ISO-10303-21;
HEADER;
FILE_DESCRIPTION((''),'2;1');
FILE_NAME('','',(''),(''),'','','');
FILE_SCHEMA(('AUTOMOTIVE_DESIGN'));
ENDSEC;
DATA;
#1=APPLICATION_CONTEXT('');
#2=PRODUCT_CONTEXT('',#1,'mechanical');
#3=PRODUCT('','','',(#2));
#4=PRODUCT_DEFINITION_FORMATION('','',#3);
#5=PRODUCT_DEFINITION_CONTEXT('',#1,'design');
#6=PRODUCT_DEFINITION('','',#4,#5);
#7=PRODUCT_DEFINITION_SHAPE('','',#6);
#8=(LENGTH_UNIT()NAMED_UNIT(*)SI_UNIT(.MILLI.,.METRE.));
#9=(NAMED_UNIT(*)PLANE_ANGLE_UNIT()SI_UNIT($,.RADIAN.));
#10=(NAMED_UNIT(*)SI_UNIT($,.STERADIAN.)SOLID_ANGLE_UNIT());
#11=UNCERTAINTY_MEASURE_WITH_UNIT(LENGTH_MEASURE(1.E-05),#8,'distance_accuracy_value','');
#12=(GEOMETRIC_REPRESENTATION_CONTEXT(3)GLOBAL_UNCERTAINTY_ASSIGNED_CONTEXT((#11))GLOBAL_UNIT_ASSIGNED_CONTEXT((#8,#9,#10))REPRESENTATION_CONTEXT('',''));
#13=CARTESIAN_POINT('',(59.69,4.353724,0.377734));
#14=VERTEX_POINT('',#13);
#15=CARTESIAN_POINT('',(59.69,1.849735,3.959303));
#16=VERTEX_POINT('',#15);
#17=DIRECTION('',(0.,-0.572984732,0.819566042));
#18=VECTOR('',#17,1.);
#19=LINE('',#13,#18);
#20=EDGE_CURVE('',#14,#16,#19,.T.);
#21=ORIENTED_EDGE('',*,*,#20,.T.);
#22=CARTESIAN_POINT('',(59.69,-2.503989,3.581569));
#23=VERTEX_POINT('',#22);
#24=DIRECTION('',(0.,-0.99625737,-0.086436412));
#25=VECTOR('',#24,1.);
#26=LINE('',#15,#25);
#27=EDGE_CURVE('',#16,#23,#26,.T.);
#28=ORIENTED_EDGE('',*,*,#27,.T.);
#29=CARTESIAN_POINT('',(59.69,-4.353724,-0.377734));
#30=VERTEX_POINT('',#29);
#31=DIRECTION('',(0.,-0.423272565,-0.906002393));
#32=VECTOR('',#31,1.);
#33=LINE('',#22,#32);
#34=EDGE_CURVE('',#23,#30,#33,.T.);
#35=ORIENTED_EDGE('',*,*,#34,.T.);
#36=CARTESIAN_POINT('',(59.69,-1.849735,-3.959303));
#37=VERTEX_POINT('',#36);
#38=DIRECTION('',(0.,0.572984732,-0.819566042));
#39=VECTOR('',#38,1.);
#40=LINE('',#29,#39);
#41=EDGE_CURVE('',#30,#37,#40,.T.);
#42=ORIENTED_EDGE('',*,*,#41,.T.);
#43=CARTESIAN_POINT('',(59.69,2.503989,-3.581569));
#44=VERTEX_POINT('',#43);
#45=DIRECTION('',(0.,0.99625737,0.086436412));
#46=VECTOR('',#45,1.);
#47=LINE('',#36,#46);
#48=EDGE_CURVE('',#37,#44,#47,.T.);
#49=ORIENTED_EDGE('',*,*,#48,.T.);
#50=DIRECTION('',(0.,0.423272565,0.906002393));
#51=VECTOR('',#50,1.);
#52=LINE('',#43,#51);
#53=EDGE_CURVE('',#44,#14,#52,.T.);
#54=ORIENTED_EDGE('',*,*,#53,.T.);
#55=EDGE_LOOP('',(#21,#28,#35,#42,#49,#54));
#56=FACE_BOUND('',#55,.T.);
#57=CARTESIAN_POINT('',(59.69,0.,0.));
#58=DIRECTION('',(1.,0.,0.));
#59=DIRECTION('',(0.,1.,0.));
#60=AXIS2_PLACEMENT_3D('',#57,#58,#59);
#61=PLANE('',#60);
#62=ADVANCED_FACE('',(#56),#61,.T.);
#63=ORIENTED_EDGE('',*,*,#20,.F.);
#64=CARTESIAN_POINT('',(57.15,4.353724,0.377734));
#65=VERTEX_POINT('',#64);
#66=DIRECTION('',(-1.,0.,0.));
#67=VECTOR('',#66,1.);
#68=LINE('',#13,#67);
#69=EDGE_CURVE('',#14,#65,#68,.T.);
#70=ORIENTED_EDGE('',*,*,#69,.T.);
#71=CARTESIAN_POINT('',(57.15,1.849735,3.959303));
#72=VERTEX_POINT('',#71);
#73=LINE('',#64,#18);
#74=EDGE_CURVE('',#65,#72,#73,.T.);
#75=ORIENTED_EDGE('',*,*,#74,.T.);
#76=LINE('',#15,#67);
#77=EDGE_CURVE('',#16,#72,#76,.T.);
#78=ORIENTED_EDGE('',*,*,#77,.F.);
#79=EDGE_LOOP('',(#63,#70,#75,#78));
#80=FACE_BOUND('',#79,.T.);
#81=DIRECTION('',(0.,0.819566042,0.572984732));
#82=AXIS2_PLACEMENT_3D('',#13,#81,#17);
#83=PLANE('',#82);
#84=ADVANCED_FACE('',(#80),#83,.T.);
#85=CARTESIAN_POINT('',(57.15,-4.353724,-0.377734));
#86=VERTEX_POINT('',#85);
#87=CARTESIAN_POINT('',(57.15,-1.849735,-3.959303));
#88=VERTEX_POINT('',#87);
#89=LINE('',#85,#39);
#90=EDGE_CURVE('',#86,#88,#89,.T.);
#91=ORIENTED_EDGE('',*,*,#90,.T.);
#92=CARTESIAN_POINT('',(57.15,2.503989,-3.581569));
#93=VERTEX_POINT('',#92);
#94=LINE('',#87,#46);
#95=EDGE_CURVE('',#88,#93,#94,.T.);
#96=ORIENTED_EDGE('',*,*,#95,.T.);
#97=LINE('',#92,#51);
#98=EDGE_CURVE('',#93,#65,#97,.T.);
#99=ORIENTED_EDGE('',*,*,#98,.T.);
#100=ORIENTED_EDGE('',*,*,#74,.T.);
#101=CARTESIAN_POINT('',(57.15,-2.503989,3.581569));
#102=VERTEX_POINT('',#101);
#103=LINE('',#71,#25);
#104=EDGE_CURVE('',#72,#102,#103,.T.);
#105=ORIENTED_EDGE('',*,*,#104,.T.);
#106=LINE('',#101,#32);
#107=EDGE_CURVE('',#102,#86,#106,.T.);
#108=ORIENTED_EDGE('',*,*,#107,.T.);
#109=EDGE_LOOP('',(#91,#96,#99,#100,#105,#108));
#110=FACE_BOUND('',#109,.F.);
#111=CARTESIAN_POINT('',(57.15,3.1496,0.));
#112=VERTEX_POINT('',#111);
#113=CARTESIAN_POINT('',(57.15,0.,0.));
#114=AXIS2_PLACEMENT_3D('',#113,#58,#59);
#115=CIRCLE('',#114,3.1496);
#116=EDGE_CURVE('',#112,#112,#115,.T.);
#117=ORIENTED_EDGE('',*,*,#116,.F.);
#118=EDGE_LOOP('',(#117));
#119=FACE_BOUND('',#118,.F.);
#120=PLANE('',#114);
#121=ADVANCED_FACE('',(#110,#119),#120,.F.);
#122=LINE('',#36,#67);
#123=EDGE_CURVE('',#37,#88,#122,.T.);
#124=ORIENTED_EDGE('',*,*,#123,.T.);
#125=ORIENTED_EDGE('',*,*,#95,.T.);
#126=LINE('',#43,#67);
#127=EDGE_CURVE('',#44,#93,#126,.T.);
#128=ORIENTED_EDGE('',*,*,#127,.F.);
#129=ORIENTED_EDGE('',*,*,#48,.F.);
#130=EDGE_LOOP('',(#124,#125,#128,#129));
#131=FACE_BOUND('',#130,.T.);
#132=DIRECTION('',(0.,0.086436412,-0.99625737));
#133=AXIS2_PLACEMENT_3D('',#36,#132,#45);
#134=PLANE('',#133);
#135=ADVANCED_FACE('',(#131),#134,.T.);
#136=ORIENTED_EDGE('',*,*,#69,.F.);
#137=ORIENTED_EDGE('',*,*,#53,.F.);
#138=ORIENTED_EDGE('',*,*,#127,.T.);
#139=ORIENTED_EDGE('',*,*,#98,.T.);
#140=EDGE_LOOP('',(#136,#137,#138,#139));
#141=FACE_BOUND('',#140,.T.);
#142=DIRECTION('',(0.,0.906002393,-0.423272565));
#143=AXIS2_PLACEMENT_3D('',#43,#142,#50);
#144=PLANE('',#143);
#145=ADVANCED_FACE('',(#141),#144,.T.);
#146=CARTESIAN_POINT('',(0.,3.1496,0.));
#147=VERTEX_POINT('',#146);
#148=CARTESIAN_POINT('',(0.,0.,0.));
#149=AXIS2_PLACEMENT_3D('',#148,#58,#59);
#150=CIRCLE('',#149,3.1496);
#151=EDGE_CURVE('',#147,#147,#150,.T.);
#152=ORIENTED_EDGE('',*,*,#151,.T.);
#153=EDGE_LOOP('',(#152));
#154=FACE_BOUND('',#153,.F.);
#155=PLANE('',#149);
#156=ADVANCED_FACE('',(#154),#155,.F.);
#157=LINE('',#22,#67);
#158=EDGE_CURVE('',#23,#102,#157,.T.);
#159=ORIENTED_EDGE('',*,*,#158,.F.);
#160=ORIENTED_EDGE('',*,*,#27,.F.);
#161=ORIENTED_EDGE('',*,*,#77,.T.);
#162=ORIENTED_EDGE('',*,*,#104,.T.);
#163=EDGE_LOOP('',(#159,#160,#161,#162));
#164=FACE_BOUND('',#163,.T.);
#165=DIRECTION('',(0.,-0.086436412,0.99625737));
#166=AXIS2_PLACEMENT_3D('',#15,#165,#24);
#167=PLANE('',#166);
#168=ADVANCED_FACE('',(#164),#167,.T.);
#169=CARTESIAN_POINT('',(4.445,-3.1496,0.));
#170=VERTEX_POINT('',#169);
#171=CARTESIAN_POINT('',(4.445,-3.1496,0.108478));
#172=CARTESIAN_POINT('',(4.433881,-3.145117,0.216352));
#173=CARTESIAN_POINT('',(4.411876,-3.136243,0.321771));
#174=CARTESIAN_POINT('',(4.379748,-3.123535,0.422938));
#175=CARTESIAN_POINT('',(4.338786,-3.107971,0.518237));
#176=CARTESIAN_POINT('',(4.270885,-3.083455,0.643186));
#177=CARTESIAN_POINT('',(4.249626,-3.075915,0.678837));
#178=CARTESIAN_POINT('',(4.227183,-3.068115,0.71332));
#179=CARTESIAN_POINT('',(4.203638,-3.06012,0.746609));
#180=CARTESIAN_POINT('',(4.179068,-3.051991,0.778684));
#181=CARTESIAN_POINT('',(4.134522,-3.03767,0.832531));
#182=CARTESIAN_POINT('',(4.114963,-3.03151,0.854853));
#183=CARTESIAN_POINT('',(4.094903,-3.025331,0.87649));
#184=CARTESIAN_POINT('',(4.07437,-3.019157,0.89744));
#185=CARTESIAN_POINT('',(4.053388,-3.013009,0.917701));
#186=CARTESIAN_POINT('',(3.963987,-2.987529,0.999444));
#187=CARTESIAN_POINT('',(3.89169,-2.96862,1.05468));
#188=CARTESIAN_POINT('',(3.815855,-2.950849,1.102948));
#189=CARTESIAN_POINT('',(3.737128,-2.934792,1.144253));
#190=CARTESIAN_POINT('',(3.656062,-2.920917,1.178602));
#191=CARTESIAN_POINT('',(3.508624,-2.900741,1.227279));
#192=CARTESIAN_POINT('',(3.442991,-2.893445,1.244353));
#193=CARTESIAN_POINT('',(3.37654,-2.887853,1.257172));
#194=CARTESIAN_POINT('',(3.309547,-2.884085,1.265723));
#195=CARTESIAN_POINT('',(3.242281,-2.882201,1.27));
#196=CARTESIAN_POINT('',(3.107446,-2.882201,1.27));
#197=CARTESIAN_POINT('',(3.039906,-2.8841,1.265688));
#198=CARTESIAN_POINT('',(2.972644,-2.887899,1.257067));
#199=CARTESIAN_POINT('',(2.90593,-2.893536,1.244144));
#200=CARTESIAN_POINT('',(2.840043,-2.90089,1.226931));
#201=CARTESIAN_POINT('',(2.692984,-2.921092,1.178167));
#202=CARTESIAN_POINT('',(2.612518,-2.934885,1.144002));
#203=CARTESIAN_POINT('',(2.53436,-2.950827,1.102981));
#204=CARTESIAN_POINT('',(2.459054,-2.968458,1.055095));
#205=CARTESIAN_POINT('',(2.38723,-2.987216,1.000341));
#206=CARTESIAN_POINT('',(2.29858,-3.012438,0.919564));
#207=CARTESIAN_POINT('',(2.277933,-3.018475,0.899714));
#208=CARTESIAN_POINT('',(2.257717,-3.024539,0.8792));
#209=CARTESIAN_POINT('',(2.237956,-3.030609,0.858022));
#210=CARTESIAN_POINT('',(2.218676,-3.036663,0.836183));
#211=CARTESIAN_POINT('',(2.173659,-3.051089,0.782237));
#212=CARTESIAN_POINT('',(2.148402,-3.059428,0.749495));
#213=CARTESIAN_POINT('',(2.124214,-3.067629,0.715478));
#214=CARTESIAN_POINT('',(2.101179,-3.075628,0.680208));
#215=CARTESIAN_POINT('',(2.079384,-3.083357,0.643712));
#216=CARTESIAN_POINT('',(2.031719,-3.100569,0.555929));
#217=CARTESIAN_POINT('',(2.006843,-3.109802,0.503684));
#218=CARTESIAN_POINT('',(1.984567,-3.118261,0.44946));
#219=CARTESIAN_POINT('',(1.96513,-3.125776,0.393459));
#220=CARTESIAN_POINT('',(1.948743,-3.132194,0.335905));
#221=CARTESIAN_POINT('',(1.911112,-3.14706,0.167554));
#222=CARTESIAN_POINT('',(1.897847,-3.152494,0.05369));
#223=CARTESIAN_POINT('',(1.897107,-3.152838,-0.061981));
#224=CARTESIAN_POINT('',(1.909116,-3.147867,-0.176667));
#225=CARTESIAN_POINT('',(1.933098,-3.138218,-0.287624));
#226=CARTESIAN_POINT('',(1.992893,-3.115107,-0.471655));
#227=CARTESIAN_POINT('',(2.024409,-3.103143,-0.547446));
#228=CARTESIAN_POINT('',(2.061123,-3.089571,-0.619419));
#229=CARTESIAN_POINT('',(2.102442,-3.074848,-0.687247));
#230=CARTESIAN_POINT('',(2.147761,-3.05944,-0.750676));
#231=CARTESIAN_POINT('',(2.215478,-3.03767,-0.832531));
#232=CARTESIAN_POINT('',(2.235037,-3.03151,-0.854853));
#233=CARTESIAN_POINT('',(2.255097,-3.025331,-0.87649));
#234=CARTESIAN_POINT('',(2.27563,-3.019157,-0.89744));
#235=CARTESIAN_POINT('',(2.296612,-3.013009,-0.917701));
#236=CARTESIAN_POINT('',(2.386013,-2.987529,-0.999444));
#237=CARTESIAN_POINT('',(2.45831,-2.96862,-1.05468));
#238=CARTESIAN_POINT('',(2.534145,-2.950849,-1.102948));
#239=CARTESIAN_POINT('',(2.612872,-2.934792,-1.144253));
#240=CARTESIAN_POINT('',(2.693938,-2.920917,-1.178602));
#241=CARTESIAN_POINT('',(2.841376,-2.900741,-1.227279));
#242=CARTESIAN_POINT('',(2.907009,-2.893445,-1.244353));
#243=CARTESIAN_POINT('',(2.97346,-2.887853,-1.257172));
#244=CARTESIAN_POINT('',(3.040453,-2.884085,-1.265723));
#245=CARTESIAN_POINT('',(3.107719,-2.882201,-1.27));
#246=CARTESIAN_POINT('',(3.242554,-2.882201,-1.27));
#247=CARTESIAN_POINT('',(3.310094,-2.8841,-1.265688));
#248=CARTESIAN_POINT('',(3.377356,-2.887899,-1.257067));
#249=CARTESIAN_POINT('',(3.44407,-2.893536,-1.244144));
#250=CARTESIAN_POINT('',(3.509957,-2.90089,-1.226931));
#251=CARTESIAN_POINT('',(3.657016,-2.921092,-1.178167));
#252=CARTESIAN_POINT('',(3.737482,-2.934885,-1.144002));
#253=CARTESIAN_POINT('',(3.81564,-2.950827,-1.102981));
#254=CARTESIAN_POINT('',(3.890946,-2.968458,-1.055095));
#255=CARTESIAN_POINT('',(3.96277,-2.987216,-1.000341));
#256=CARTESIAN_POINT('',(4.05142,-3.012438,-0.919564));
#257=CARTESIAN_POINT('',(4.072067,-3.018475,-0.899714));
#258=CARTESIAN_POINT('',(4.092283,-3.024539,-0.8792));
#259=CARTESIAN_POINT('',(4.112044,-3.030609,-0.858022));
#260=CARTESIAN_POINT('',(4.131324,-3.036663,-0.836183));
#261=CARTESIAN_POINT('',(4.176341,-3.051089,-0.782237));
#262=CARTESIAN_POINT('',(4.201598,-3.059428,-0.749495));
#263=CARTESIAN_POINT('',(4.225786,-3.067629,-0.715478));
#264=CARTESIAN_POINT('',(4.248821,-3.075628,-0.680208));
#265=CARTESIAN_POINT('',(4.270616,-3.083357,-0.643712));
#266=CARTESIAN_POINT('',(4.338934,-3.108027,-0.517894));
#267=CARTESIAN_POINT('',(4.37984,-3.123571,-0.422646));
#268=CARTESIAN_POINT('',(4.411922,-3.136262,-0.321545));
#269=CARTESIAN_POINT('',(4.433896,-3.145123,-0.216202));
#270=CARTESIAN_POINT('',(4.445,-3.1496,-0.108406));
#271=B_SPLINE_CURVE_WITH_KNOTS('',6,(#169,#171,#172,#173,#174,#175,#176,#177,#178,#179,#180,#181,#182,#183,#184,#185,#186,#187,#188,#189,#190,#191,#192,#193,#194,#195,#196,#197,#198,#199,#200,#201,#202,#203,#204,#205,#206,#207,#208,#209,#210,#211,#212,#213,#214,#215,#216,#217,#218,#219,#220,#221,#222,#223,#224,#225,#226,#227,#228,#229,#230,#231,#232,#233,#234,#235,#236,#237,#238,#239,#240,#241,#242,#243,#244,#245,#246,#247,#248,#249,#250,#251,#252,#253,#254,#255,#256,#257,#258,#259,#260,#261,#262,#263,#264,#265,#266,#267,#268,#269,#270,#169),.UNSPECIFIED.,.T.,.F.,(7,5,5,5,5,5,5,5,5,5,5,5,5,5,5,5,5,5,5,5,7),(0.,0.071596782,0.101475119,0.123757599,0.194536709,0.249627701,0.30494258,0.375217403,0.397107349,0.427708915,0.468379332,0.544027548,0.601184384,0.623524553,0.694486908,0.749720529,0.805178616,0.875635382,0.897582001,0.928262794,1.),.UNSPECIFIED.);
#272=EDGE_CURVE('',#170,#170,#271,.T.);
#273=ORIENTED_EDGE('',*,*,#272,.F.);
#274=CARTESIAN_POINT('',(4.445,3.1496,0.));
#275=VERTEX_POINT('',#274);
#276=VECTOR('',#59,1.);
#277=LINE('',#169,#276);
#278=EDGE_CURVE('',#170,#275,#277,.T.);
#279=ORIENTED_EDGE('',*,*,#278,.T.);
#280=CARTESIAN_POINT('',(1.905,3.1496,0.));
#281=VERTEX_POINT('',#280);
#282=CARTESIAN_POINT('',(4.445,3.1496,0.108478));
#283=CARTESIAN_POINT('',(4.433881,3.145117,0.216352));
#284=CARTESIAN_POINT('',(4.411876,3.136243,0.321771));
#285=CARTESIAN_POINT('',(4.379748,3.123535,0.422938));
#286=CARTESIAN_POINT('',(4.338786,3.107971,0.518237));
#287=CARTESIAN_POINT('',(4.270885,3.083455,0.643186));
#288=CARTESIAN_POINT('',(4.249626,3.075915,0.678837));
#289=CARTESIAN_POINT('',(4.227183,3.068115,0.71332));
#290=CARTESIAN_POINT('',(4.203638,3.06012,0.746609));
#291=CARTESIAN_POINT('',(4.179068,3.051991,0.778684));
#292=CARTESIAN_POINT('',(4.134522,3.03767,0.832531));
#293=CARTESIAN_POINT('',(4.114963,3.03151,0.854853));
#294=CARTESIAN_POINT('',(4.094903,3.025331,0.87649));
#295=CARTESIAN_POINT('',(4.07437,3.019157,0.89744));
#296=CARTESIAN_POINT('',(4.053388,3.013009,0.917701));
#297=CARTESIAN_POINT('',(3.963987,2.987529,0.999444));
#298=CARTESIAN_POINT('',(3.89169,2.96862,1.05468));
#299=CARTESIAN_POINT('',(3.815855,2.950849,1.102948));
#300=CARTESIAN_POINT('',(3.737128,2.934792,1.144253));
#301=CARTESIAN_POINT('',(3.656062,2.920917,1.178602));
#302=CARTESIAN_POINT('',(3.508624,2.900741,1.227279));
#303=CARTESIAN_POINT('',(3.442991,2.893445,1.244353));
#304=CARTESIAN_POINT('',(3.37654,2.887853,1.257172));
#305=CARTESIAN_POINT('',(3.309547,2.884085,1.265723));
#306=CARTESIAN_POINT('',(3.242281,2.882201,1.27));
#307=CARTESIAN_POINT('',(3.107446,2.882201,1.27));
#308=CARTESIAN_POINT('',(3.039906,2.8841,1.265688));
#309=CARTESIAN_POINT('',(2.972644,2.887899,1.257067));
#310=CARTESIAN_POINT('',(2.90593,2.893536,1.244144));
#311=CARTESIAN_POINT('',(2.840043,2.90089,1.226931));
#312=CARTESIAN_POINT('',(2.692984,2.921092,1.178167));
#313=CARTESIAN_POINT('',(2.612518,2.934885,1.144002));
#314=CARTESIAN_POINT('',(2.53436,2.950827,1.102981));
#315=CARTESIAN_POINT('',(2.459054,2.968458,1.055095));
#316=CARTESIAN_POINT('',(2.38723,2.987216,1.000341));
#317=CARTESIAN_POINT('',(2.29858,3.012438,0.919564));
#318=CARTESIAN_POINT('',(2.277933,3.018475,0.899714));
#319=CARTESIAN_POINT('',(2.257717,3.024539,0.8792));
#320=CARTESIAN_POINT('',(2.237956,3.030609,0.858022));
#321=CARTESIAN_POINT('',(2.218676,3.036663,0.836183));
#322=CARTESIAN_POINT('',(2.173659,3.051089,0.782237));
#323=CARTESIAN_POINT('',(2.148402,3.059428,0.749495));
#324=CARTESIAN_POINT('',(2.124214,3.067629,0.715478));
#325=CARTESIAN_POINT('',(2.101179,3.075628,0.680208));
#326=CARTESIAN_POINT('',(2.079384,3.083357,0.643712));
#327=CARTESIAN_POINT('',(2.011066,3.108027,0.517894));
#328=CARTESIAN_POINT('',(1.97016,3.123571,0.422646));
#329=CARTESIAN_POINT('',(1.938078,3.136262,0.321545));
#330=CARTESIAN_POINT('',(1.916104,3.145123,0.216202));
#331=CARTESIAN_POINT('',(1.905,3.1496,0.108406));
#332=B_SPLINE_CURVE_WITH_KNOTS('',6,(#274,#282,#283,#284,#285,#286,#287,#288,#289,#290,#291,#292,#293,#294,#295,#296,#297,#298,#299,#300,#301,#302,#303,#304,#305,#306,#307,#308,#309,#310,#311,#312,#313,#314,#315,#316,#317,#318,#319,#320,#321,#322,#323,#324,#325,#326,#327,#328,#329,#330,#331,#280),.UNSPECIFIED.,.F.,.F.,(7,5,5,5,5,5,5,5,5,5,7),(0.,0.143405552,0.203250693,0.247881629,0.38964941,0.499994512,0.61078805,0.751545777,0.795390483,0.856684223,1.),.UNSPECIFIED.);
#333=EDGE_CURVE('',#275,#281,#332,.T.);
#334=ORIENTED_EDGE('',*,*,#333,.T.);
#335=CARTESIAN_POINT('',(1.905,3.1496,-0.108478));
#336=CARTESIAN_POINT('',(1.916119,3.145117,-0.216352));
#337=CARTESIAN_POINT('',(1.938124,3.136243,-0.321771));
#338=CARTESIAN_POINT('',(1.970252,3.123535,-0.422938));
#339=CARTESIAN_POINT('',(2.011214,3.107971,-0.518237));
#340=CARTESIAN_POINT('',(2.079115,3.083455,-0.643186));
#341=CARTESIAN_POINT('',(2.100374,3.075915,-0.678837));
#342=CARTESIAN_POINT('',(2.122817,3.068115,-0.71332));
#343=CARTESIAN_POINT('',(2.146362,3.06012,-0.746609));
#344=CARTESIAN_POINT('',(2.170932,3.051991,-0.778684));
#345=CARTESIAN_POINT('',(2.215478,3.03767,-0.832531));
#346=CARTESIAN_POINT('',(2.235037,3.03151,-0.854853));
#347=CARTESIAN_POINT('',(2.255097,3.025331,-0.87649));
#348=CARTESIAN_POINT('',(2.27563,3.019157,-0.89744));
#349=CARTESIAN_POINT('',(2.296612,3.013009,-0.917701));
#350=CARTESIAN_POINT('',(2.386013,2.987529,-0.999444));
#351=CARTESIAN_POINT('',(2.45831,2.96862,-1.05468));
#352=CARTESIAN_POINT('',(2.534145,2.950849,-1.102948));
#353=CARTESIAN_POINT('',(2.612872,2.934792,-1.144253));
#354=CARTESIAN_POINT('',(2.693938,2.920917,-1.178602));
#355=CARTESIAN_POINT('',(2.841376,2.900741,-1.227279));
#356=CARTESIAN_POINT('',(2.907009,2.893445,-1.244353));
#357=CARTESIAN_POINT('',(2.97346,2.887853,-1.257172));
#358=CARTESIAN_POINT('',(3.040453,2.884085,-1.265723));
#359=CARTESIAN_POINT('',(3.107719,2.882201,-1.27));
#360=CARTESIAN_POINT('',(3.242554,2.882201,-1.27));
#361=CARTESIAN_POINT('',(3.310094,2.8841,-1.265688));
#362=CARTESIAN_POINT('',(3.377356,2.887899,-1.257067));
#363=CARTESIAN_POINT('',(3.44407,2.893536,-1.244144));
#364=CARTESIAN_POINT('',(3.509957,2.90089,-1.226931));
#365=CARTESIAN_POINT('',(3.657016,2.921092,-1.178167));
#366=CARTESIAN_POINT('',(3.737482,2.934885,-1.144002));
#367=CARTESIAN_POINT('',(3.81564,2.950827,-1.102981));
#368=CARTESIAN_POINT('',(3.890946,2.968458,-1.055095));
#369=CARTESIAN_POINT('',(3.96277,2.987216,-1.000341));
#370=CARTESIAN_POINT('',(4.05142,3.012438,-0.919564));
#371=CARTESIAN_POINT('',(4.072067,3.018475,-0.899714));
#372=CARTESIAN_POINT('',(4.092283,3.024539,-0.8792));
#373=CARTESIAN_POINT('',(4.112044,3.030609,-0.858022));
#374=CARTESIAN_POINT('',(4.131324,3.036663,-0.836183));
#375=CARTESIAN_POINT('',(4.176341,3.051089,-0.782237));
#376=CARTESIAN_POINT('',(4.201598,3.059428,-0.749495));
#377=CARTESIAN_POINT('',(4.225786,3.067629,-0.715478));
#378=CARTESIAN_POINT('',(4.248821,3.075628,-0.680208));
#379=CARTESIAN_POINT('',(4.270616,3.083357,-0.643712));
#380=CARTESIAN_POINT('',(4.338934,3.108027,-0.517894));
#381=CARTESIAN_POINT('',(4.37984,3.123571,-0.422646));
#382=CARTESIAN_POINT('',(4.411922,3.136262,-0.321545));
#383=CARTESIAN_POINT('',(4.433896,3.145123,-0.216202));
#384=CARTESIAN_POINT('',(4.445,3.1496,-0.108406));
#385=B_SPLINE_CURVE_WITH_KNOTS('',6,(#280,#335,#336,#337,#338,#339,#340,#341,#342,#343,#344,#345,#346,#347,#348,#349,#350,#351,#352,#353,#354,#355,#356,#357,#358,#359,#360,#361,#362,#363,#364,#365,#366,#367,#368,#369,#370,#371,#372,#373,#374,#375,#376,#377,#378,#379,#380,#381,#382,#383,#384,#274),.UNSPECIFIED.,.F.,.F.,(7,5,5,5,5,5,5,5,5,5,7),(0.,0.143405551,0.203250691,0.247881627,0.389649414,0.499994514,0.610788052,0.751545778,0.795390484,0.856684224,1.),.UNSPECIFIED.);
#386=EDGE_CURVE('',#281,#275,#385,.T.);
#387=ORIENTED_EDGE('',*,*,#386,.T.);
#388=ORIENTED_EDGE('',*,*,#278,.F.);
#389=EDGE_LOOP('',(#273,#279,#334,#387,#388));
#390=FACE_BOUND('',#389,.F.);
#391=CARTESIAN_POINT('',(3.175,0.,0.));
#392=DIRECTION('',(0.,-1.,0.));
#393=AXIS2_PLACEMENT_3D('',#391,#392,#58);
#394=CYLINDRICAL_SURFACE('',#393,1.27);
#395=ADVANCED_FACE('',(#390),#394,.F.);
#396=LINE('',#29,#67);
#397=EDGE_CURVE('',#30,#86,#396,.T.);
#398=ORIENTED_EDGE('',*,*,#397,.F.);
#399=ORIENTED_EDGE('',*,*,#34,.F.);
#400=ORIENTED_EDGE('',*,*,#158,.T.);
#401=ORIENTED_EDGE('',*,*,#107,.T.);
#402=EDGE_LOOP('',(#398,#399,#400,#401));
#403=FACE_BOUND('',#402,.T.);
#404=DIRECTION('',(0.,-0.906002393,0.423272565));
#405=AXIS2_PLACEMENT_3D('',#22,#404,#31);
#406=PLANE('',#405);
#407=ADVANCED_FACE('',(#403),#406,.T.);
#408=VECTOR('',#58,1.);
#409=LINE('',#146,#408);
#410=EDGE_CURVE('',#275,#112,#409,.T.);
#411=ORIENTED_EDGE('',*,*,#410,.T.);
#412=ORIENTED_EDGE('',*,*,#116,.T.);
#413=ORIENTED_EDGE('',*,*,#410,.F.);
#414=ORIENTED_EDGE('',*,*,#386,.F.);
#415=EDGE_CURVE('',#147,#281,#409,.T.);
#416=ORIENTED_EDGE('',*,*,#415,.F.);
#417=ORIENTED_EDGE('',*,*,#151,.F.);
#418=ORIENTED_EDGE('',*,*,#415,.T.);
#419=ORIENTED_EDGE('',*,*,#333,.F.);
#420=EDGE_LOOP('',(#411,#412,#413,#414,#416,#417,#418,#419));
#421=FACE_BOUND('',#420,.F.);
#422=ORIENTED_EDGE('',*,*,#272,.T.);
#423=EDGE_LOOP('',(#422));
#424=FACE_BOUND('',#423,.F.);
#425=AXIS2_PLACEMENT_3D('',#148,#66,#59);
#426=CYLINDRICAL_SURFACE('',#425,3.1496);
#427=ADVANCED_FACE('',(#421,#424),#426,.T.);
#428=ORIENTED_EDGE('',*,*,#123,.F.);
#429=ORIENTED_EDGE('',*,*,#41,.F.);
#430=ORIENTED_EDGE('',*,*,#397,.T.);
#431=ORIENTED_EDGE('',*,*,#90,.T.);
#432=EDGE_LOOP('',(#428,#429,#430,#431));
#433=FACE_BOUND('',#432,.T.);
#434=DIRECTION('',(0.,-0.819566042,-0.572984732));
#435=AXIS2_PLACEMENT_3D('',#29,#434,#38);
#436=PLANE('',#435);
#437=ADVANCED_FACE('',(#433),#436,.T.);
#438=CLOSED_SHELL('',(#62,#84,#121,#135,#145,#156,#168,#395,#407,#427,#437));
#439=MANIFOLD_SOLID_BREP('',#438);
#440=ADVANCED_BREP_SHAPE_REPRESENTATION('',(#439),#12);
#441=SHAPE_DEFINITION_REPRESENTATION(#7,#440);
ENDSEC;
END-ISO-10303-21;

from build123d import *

# Parameters (mm, degrees)
F0_R     = 3.1496
F1_DEPTH = 59.69
F2_R     = 1.27
F3_DEPTH = 17.272
F4_R     = 3.1496
F5_DEPTH = 2.54
F6_DEPTH = 14.2494


with BuildPart() as f1:
    # F0 (on Right) → F1 (new body)
    with BuildSketch(Plane.YZ):
        Circle(F0_R)
    extrude(amount=F1_DEPTH)

    # F2 (on Front) → F3 (cut)
    with BuildSketch(Plane.XZ):
        with Locations((3.175, 0)):
            Circle(F2_R)
    extrude(amount=F3_DEPTH, mode=Mode.SUBTRACT)

    # F4 (on face) → F5 (join)
    with BuildSketch(Plane.YZ.offset(59.69)):
        Polygon((2.503989, -3.581569), (4.353724, 0.377734), (1.849735, 3.959303), (-2.503989, 3.581569), (-4.353724, -0.377734), (-1.849735, -3.959303), align=None)
        Circle(F4_R, mode=Mode.SUBTRACT)
    extrude(amount=-F5_DEPTH)

    # F2 (on Front) → F6 (cut)
    with BuildSketch(Plane.XZ):
        with Locations((3.175, 0)):
            Circle(F2_R)
    extrude(amount=-F6_DEPTH, mode=Mode.SUBTRACT)


solid = f1.part
